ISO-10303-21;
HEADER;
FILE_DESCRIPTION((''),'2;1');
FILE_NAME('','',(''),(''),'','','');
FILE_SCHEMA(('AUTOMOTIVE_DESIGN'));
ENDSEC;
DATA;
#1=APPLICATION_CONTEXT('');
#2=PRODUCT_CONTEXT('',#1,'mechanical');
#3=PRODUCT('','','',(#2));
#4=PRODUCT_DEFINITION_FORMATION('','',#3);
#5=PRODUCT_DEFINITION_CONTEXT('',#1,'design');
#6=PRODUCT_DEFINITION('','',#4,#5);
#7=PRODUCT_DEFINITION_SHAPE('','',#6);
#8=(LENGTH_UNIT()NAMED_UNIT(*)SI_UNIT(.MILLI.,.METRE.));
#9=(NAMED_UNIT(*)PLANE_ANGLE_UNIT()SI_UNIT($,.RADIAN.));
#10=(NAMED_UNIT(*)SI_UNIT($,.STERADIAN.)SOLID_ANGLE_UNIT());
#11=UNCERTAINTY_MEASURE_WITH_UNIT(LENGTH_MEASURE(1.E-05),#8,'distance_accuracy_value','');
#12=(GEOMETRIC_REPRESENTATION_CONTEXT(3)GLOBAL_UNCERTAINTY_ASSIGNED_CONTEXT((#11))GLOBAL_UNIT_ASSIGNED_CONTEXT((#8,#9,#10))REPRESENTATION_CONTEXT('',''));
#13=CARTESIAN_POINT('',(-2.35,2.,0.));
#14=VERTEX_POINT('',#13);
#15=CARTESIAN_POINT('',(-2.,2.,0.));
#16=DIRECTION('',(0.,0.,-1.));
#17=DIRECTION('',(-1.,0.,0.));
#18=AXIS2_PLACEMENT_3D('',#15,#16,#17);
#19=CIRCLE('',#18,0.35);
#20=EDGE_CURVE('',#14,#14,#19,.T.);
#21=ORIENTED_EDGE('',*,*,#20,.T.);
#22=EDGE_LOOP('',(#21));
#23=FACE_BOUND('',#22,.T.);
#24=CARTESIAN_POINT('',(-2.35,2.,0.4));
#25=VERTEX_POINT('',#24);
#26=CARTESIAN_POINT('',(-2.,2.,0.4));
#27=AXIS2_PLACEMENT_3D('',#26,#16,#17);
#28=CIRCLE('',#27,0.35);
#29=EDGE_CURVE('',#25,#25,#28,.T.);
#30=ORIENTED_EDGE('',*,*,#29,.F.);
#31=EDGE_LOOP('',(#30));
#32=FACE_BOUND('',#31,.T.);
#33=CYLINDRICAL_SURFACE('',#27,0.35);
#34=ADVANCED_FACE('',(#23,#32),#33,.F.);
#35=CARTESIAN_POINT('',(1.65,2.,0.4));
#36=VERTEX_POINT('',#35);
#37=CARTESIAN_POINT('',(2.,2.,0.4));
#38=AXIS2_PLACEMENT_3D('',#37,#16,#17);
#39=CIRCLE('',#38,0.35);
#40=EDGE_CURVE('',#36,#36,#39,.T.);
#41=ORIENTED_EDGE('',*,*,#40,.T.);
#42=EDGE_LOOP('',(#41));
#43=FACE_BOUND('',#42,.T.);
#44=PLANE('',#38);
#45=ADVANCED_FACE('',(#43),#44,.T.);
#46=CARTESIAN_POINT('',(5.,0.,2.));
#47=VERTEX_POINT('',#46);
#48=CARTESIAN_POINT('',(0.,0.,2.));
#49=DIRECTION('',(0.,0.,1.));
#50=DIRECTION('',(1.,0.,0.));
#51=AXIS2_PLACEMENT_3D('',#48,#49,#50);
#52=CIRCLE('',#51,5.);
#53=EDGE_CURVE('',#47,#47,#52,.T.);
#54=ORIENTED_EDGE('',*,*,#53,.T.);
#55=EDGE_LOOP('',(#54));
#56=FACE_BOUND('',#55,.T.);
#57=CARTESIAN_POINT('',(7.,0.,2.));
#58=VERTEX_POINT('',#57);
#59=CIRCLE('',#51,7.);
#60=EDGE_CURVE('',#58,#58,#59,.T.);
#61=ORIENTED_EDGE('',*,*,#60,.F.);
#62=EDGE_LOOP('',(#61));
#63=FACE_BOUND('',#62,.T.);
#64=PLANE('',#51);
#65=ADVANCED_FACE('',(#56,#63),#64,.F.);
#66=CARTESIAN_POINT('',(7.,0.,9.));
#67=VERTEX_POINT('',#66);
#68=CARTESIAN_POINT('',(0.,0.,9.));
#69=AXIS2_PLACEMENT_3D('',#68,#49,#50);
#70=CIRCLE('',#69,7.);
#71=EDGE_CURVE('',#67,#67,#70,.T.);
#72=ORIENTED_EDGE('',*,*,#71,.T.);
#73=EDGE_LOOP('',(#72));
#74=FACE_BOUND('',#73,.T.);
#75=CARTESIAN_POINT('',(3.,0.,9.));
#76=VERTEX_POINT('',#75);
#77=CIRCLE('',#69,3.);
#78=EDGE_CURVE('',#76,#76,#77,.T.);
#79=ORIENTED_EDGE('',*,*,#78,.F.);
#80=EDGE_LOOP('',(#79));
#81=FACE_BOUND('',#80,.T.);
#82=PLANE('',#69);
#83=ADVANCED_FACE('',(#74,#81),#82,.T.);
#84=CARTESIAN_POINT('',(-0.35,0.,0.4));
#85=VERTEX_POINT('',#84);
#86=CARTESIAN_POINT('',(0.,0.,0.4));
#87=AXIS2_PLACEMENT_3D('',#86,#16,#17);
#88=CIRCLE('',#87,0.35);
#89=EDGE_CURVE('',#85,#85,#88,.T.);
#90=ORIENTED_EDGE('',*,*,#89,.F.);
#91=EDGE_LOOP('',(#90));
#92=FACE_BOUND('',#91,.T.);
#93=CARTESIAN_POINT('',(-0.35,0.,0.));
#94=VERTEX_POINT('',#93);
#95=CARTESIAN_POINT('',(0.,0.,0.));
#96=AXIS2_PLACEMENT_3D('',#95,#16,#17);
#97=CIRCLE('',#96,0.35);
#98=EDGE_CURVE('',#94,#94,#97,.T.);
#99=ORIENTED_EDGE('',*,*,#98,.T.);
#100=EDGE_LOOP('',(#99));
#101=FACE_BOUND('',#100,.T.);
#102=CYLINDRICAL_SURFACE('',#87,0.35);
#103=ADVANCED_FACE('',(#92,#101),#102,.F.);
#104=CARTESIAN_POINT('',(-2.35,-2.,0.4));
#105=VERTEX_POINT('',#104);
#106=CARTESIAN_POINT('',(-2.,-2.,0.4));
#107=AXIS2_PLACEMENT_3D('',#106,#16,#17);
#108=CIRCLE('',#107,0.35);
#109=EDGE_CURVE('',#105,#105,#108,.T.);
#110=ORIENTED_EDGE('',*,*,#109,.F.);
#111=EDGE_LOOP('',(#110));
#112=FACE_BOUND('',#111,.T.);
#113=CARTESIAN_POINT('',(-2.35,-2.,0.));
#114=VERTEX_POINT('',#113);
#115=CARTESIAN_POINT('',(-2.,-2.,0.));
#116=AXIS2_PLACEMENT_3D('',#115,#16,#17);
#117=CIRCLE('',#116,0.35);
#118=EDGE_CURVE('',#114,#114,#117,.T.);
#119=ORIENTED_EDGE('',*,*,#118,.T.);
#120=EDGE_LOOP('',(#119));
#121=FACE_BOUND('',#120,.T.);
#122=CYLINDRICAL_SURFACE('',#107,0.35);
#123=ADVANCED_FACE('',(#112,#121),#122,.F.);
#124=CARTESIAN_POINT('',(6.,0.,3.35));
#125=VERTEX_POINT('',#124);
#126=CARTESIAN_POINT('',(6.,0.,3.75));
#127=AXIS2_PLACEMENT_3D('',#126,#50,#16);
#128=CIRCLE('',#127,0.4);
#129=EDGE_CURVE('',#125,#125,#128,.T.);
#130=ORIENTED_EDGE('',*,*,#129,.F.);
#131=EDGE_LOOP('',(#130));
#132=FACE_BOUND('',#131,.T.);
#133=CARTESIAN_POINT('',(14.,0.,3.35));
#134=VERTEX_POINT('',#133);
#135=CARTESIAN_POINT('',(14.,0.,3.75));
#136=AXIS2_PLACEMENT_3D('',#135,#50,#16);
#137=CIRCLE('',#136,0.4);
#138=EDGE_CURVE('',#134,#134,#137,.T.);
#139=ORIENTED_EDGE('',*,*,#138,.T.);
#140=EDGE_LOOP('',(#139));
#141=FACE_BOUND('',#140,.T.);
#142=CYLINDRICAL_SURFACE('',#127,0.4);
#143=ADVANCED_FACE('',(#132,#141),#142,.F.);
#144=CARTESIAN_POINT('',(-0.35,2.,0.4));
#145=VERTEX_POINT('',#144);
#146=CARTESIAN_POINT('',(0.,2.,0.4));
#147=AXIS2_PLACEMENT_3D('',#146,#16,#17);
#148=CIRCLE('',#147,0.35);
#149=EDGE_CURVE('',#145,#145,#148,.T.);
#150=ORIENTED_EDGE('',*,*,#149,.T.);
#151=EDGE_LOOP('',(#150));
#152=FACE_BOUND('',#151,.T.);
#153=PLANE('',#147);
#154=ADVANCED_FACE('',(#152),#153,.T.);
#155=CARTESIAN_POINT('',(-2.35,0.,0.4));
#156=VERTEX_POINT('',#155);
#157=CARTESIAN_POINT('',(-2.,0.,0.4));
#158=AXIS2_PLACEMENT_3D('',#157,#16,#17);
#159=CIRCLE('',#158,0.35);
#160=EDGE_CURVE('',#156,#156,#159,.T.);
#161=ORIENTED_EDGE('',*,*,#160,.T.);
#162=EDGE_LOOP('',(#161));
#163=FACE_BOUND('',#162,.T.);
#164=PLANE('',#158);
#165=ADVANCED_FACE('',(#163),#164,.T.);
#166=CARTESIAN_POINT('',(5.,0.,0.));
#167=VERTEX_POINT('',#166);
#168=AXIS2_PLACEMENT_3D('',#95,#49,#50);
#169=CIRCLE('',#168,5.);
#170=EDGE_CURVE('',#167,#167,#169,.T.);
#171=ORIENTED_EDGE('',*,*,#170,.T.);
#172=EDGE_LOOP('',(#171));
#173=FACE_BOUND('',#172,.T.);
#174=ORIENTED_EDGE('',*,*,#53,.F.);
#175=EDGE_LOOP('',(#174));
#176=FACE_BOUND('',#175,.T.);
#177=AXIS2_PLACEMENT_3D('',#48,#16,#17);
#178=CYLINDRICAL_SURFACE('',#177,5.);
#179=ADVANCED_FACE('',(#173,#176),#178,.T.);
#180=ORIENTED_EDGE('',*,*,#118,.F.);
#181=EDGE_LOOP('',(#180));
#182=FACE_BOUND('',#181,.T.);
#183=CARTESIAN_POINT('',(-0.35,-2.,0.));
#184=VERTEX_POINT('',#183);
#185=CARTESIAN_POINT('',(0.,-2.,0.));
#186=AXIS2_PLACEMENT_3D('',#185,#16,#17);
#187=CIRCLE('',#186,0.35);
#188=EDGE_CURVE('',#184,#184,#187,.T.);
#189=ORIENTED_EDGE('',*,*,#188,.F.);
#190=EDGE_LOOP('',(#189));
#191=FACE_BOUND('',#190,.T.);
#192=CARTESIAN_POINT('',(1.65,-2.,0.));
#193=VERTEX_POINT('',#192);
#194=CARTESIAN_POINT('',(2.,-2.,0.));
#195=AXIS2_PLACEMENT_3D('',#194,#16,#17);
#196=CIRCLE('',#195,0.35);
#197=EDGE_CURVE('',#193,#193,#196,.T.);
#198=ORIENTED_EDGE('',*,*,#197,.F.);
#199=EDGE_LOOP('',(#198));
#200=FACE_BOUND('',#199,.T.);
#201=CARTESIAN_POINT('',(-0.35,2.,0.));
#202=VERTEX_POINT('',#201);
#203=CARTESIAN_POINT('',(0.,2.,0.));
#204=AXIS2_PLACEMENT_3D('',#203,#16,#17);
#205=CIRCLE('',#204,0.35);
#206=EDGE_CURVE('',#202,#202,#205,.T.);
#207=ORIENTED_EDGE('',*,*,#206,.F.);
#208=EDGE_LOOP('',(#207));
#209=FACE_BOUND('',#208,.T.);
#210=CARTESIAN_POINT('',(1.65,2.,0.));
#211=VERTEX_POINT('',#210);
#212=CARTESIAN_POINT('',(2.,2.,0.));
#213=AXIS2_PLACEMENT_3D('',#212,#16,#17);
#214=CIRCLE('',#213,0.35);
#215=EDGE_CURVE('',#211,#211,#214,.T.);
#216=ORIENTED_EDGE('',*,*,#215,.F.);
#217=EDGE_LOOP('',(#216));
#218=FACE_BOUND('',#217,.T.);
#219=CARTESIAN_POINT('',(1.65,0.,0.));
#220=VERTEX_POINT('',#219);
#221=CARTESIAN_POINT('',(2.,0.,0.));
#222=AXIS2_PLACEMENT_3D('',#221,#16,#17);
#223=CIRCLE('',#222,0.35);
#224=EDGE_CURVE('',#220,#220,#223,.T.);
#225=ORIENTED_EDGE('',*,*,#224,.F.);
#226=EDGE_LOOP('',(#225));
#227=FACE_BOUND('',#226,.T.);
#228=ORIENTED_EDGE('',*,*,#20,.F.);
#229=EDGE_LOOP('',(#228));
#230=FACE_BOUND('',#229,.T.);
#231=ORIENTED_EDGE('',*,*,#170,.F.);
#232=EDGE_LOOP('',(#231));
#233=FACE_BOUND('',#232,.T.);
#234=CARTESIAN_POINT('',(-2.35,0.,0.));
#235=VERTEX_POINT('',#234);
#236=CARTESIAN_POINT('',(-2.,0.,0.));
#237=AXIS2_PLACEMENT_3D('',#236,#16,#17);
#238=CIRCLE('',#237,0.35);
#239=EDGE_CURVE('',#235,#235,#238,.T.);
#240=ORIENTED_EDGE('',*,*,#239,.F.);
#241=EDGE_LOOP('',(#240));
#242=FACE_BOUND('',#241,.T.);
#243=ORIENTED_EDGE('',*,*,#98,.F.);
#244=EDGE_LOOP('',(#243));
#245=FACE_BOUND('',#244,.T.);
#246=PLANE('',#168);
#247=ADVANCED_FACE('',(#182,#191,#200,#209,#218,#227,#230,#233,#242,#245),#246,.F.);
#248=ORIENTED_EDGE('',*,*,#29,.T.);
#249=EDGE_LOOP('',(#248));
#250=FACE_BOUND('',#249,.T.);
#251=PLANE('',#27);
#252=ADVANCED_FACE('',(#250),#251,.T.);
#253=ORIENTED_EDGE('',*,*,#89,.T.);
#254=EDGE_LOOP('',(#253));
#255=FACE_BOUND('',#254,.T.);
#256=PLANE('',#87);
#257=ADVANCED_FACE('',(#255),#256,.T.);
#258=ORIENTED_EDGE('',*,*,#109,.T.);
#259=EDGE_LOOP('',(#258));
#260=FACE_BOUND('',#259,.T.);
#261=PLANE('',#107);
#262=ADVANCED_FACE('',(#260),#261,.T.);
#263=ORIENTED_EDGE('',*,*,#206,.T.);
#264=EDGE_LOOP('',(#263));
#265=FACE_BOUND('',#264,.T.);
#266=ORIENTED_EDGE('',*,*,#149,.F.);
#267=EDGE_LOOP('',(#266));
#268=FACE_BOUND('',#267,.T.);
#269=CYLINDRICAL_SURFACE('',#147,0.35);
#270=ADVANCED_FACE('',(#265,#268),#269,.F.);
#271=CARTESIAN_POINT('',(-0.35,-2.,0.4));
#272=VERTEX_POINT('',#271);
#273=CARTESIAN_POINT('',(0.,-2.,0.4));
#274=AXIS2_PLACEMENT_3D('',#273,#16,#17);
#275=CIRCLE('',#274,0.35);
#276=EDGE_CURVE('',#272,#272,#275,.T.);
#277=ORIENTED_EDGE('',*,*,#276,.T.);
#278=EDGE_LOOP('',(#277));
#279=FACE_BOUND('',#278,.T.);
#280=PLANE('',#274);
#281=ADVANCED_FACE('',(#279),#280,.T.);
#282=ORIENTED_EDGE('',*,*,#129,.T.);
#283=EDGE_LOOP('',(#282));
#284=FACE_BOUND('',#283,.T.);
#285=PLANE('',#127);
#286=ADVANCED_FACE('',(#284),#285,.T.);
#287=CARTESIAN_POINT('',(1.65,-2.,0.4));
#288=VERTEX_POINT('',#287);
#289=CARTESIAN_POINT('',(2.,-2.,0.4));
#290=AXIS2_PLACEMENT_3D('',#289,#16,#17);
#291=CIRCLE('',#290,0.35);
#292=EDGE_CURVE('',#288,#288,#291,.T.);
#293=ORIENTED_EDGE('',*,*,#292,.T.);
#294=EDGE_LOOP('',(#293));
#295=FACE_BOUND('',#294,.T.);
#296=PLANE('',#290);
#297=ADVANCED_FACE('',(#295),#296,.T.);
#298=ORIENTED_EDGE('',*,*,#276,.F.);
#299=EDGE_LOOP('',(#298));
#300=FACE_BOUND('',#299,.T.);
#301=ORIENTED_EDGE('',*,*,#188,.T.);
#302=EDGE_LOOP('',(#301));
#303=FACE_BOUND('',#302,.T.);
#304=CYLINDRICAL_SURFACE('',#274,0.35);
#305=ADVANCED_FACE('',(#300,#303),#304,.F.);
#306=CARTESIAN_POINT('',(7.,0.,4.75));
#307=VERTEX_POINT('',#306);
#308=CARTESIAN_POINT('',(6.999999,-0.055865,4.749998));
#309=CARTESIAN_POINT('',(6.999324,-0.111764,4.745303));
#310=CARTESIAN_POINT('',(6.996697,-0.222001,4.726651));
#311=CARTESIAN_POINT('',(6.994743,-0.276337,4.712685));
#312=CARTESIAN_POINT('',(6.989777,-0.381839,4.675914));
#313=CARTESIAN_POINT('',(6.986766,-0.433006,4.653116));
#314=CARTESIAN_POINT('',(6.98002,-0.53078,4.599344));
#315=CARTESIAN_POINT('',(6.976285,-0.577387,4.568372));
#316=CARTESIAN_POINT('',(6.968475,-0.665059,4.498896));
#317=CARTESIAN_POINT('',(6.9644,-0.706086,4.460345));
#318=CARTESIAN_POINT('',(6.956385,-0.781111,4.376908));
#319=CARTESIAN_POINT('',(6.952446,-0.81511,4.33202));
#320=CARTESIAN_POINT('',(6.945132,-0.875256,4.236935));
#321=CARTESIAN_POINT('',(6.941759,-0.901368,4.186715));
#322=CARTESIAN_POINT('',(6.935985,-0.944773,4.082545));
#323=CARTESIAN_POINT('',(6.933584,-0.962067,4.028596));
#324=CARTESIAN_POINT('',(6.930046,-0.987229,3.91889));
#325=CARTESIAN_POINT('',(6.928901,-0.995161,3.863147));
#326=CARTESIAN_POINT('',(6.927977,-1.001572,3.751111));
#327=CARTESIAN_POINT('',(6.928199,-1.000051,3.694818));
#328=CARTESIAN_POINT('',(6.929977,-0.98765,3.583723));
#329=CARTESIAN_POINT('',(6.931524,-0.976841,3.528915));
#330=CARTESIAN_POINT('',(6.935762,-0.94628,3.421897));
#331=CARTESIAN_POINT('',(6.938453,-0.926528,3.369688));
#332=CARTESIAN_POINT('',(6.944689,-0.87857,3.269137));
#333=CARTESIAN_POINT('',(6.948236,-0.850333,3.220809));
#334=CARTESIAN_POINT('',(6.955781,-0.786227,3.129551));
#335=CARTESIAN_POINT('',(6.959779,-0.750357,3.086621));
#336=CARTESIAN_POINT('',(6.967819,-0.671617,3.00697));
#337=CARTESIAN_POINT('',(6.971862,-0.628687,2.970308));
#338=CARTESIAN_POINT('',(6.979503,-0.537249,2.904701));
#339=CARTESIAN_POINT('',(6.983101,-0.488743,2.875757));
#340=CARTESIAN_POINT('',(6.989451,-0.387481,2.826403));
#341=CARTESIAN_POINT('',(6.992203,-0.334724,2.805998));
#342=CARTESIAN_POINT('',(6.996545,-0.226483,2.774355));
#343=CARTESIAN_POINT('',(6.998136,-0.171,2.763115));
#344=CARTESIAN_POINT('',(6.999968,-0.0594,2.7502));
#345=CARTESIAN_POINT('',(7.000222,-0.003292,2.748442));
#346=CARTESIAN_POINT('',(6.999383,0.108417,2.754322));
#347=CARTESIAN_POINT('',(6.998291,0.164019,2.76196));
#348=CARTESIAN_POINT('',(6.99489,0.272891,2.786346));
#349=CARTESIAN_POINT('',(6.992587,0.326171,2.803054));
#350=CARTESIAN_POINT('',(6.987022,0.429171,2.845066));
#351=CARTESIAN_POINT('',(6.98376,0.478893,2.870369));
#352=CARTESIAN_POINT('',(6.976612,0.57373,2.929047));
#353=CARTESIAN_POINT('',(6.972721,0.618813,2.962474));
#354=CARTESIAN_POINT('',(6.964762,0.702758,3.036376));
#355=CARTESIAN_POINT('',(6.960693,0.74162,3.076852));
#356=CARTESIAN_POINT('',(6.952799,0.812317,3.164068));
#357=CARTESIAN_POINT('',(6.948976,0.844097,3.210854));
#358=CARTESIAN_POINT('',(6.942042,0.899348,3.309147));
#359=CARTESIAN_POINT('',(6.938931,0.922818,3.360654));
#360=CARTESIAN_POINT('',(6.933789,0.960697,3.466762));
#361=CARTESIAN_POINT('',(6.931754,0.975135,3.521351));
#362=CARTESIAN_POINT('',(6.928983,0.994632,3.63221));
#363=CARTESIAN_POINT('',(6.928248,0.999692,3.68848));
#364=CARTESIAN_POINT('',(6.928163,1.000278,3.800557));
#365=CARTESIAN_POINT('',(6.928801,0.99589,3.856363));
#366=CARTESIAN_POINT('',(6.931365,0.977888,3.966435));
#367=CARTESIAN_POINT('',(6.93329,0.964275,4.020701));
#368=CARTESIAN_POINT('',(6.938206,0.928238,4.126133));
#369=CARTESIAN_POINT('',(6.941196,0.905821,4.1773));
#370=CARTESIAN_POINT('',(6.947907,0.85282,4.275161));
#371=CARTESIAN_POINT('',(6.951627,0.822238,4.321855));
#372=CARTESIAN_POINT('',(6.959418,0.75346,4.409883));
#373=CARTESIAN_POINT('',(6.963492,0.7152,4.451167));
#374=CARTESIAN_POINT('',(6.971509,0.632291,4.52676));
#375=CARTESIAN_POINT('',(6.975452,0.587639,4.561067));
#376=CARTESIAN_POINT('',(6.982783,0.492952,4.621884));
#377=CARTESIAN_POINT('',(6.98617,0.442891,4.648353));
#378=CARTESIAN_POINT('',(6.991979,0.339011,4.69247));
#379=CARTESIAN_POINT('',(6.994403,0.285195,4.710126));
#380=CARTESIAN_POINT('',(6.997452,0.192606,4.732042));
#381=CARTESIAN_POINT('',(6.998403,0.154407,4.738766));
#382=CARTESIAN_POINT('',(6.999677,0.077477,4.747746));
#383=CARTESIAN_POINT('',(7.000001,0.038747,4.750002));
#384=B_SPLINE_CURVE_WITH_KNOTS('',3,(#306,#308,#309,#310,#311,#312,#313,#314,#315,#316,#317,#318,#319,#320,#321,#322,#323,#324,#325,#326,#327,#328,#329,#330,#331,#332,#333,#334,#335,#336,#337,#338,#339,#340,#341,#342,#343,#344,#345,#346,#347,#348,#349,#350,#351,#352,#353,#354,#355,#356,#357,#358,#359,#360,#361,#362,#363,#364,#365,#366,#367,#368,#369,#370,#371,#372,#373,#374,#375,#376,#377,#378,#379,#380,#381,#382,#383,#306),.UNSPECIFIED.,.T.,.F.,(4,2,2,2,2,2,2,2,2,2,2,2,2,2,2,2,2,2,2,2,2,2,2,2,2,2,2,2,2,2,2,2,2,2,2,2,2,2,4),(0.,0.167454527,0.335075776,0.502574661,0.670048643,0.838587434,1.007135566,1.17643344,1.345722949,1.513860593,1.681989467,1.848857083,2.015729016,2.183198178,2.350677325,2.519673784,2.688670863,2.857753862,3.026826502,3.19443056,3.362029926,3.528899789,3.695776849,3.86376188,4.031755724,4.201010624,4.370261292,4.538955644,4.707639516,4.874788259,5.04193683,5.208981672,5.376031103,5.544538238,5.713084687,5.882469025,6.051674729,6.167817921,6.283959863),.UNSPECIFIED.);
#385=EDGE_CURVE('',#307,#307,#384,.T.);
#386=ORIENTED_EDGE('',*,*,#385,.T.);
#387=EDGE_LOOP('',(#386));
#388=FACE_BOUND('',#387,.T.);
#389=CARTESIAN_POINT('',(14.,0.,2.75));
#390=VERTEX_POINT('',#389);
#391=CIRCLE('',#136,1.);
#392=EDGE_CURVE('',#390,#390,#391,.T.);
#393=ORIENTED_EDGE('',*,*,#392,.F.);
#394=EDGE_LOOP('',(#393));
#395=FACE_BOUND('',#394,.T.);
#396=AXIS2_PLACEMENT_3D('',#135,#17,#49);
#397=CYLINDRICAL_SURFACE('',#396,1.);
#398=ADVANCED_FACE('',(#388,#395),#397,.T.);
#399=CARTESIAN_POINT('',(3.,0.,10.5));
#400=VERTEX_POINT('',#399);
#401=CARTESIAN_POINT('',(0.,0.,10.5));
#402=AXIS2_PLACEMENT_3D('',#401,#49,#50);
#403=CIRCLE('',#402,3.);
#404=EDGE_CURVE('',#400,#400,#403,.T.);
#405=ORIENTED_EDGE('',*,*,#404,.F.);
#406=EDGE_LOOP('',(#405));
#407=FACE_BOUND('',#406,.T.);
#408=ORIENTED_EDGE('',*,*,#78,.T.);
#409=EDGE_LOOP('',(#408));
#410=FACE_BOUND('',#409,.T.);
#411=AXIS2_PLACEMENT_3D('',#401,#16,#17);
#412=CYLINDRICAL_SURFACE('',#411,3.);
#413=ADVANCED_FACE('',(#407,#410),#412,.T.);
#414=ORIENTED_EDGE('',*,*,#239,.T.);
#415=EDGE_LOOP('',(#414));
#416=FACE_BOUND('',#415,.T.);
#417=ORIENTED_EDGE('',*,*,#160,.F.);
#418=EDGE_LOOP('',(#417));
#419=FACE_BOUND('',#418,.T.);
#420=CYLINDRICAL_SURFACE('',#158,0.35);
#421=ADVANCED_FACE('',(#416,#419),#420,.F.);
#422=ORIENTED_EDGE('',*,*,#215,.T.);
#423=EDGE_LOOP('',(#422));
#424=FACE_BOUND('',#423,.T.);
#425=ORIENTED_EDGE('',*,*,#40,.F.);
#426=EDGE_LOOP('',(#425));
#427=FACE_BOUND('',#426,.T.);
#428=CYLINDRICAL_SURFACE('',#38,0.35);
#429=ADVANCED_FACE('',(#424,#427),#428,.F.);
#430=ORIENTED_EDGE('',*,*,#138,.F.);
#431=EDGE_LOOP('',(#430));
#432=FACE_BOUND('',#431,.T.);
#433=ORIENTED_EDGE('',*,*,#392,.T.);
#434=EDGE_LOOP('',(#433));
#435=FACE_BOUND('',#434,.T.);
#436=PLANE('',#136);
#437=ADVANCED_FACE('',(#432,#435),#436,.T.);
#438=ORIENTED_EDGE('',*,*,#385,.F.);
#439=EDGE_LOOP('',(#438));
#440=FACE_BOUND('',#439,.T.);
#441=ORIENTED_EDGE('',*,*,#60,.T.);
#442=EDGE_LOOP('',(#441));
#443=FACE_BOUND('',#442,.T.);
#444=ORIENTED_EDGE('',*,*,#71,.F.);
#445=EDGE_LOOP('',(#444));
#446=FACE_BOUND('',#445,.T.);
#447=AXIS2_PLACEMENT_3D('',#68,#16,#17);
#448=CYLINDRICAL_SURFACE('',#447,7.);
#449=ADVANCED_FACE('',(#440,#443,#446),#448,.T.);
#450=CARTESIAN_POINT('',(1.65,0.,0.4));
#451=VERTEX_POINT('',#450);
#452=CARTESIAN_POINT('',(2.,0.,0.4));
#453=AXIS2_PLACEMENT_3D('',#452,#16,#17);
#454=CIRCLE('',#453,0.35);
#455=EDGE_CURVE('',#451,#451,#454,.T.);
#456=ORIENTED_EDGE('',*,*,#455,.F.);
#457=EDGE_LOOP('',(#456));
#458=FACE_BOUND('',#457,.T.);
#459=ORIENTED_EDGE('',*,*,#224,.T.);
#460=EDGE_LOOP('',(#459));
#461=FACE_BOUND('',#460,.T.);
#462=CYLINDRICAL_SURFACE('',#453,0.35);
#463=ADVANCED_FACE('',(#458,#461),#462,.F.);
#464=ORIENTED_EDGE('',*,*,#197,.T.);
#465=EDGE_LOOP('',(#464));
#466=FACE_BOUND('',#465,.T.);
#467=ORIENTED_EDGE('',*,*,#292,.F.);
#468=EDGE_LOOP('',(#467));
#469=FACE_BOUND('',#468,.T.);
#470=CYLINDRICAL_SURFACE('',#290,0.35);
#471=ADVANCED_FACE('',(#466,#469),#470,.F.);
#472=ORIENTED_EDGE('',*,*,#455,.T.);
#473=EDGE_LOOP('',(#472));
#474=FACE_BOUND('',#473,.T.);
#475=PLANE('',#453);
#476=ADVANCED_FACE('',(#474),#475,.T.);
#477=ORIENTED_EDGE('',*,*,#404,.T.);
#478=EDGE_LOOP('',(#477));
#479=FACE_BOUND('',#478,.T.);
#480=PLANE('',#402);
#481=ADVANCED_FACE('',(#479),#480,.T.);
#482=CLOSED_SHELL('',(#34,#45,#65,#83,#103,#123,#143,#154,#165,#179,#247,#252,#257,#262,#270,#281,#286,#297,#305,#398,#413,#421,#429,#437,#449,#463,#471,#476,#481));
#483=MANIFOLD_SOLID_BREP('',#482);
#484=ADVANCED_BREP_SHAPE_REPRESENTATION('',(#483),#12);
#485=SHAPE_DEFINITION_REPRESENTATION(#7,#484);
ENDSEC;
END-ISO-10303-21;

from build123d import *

# Parameters (mm, degrees)
SKETCH1_R           = 5
BOSS_EXTRUDE1_DEPTH = 2
SKETCH2_R           = 7
BOSS_EXTRUDE2_DEPTH = 7
SKETCH3_R           = 3
BOSS_EXTRUDE3_DEPTH = 1.5
SKETCH4_R           = 1
BOSS_EXTRUDE4_DEPTH = 8
SKETCH5_R           = 0.4
CUT_EXTRUDE1_DEPTH  = 8
SKETCH7_R           = 0.35
CUT_EXTRUDE2_DEPTH  = 0.4


with BuildPart() as part:
    # Sketch1 → Boss-Extrude1 (new body)
    with BuildSketch(Plane.XY):
        Circle(SKETCH1_R)
    extrude(amount=BOSS_EXTRUDE1_DEPTH)

    # Sketch2 → Boss-Extrude2 (add)
    with BuildSketch(Plane.XY.offset(2)):
        Circle(SKETCH2_R)
    extrude(amount=BOSS_EXTRUDE2_DEPTH)

    # Sketch3 → Boss-Extrude3 (add)
    with BuildSketch(Plane.XY.offset(9)):
        Circle(SKETCH3_R)
    extrude(amount=BOSS_EXTRUDE3_DEPTH)

    # Sketch4 → Boss-Extrude4 (add)
    with BuildSketch(Plane(origin=(6, 0, 0), x_dir=(0, 0, -1), z_dir=(1, 0, 0))):
        with Locations((-3.75, 0)):
            Circle(SKETCH4_R)
    extrude(amount=BOSS_EXTRUDE4_DEPTH)

    # Sketch5 → Cut-Extrude1 (cut)
    with BuildSketch(Plane(origin=(14, 0, 0), x_dir=(0, 0, -1), z_dir=(1, 0, 0))):
        with Locations((-3.75, 0)):
            Circle(SKETCH5_R)
    extrude(amount=-CUT_EXTRUDE1_DEPTH, mode=Mode.SUBTRACT)

    # Sketch7 → Cut-Extrude2 (cut)
    with BuildSketch(Plane(origin=(0, 0, 0), x_dir=(-1, 0, 0), z_dir=(0, 0, -1))):
        Circle(SKETCH7_R)
        with Locations((0, 2)):
            Circle(SKETCH7_R)
        with Locations((0, -2)):
            Circle(SKETCH7_R)
        with Locations((2, 0)):
            Circle(SKETCH7_R)
        with Locations((2, 2)):
            Circle(SKETCH7_R)
        with Locations((2, -2)):
            Circle(SKETCH7_R)
        with Locations((-2, 0)):
            Circle(SKETCH7_R)
        with Locations((-2, 2)):
            Circle(SKETCH7_R)
        with Locations((-2, -2)):
            Circle(SKETCH7_R)
    extrude(amount=-CUT_EXTRUDE2_DEPTH, mode=Mode.SUBTRACT)


solid = part.part
